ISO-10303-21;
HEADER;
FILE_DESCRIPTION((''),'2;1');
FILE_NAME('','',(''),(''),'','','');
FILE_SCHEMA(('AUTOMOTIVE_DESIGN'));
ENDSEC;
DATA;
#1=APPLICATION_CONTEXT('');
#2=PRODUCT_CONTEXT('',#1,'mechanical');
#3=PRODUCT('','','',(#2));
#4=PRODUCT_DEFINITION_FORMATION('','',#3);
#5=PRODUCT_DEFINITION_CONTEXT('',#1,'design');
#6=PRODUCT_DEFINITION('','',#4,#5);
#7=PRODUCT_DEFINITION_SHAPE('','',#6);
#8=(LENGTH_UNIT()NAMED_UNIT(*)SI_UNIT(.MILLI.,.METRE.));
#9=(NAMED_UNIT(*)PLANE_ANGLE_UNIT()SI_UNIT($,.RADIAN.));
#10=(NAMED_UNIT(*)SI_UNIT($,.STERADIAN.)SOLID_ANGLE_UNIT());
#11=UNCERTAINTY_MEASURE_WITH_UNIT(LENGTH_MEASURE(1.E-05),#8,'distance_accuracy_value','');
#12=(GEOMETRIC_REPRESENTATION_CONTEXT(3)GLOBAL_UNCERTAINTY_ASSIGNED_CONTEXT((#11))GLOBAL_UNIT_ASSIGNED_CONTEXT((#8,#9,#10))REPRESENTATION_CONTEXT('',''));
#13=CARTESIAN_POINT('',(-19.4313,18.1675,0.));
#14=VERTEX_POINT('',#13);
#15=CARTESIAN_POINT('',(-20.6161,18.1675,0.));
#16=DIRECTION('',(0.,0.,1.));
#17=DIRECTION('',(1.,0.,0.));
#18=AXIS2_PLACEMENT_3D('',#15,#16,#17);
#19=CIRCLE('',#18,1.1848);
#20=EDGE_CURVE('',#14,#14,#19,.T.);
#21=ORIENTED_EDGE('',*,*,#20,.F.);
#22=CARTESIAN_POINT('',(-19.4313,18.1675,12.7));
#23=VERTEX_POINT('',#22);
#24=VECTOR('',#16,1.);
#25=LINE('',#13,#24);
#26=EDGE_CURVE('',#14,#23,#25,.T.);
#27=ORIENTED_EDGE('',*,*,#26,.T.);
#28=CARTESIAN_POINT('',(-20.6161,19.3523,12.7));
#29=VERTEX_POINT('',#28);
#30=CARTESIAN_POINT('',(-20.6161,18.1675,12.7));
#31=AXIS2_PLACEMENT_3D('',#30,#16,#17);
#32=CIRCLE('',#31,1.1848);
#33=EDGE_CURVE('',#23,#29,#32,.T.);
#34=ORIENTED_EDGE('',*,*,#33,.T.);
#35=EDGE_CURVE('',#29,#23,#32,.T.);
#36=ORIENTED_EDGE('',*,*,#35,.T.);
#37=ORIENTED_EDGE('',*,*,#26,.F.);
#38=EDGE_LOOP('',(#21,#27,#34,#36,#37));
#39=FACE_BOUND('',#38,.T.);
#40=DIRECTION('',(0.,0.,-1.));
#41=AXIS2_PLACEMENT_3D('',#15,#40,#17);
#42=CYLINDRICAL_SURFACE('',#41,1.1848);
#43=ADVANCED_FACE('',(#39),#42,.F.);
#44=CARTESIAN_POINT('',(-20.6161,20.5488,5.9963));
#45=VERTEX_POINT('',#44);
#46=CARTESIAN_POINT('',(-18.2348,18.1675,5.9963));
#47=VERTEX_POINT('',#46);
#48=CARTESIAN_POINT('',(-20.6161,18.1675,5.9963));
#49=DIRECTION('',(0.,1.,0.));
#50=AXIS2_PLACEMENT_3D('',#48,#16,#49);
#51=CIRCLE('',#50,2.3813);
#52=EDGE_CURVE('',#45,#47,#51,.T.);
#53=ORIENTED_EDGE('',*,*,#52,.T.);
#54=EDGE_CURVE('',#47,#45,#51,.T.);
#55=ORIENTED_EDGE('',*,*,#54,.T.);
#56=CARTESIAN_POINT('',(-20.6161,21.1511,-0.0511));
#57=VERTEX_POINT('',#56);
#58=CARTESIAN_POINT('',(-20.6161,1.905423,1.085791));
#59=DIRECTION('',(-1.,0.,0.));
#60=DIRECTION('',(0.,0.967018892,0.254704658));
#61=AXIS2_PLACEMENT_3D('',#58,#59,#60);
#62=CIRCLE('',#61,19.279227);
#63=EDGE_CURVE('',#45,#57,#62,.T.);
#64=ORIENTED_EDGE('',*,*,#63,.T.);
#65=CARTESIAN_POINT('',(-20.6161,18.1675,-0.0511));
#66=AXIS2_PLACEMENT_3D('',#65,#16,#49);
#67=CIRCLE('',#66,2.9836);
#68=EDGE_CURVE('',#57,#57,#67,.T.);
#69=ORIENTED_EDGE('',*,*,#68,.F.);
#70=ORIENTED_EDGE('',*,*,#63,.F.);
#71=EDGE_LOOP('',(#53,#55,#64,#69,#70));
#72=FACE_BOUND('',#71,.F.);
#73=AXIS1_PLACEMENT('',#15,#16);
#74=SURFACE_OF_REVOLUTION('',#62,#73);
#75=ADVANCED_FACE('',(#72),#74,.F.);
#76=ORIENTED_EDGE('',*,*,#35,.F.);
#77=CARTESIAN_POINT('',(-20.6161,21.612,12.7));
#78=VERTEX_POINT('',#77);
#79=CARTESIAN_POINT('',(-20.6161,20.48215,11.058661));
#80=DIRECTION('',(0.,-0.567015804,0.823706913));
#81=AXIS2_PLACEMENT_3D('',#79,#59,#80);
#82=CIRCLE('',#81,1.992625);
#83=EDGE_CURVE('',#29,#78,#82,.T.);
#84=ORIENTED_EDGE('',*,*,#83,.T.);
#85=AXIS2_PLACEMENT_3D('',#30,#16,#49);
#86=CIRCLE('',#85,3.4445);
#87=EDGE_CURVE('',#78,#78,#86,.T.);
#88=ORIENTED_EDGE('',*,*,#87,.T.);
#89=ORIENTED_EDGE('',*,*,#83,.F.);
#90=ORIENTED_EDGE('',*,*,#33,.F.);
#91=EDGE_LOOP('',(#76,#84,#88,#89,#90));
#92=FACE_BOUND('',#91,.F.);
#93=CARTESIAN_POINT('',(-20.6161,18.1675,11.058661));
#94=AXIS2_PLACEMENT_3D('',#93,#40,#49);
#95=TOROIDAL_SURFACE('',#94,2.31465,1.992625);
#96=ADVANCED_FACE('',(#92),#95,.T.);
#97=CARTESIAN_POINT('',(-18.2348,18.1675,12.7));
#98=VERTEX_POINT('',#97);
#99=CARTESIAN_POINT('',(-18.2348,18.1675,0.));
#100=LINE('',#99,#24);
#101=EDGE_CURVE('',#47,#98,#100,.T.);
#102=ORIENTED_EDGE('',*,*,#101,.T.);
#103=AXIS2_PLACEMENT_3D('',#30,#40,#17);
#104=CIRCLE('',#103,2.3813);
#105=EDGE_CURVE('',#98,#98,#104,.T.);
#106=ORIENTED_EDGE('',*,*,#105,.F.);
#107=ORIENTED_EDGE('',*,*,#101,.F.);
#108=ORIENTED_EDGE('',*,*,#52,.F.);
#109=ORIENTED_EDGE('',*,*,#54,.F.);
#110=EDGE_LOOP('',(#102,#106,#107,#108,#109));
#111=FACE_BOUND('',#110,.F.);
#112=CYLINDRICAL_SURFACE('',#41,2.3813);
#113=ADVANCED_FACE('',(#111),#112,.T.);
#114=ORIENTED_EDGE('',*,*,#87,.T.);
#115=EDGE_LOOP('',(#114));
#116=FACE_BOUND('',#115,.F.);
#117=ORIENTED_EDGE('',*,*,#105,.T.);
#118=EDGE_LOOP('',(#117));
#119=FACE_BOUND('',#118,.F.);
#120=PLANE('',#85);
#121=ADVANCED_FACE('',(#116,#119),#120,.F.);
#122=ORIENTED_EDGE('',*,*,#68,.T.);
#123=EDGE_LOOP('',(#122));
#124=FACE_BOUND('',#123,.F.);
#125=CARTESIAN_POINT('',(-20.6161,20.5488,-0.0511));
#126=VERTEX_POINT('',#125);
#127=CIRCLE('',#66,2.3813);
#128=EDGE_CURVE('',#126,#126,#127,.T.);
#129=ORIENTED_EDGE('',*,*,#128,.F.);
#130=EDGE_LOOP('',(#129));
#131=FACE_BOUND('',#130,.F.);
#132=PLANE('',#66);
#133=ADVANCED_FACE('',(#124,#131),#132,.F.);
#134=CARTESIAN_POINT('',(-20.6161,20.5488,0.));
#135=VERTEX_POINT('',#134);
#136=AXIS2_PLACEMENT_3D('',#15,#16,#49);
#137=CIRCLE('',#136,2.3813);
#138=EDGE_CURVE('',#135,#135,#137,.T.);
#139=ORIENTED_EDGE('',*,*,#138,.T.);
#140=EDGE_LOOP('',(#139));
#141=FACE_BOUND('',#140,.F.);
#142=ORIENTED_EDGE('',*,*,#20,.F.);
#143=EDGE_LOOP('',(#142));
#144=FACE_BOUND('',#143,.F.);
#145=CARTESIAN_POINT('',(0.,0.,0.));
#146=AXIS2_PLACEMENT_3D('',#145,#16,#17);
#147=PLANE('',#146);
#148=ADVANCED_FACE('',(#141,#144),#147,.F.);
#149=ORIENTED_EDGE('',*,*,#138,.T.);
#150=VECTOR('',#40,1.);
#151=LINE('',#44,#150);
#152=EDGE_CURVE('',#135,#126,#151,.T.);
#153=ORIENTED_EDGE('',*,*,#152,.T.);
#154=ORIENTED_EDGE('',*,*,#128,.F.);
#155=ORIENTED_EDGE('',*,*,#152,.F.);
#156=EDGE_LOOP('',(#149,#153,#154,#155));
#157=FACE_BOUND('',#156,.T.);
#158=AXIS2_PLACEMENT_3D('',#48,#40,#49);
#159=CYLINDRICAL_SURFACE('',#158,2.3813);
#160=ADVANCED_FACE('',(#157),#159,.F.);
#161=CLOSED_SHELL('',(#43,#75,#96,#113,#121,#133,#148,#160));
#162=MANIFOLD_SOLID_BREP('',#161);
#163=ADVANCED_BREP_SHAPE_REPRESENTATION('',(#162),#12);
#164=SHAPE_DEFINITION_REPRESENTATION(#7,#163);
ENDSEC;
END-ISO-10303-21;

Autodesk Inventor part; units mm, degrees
ref_plane "YZ Plane" through (0, 0, 0) normal (1, 0, 0) x (0, 1, 0)
ref_plane "XY Plane" through (0, 0, 0) normal (0, 0, 1) x (1, 0, 0)
sketch "Sketch1" plane through (0, 0, 0) normal (0, 0, 1) x (1, 0, 0)
  circle A0 centre (-20.6161, 18.1675) radius 2.3813
  circle A1 centre (-20.6161, 18.1675) radius 1.1848
  dimension "d0" = 4.7625
extrude "Extrusion1" add sketch "Sketch1" along normal blind 12.7
ref_plane "Work Plane1" through (-20.6161, 18.1675, 0) normal (-1, 0, 0) x (0, 0, 1)
sketch "Sketch2" plane through (-20.6161, 18.1675, 0) normal (-1, 0, 0) x (0, 0, 1)
  line L0 (0, 1.1848) -> (12.7, 1.1848) projected
  line L1 (0, -1.1848) -> (12.7, -1.1848) projected
  line L2 (12.7, 1.1848) -> (12.7, -1.1848) projected
  line L3 (12.7, 2.3813) -> (12.7, -2.3812) projected
  arc A0 (12.7, 1.1848) -> (12.7, 3.4445) centre (11.0585, 2.3147) ccw
  line L4 (12.7, 3.4445) -> (12.7, 1.1848)
  line L5 (-2.54, 0) -> (15.24, 0) projected
revolve "Revolution1" add sketch "Sketch2" angle 360 about axis through (-20.6161, 18.1675, 0) along (0, 0, 1)
sketch "Sketch3" plane through (-20.6161, 18.1675, 0) normal (-1, 0, 0) x (0, 0, 1)
  line L0 (12.7, -3.4445) -> (12.7, -2.3812) projected
  line L1 (12.7, -2.3812) -> (0, -2.3812) projected
  line L2 (0, -2.3812) -> (0, -1.1848) projected
  line L3 (0, -1.1848) -> (12.7, -1.1848) projected
  arc A0 (12.7, -3.4445) -> (12.7, -1.1848) centre (11.0585, -2.3147) ccw projected
  line L4 (12.7, 2.3813) -> (12.7, 3.4445) projected
  arc A1 (12.7, 1.1848) -> (12.7, 3.4445) centre (11.0585, 2.3147) ccw projected
  line L5 (12.7, 1.1848) -> (0, 1.1848) projected
  line L6 (0, 1.1848) -> (0, 2.3813) projected
  line L7 (0, 2.3813) -> (12.7, 2.3813) projected
  line L8 (-2.6102, 0) -> (15.6615, 0) projected
  arc A2 (5.9963, 2.3813) -> (-0.0511, 2.9836) centre (1.0853, -16.2648) ccw
  line L9 (-0.0511, 2.9836) -> (-0.0511, 2.3813)
  line L10 (5.9963, 2.3813) -> (-0.0511, 2.3813)
  point P0 (6.35, 2.3813)
revolve "Revolution3" add sketch "Sketch3" angle 360 about axis through (-20.6161, 18.1675, 0) along (0, 0, 1) contours L7 L10 L9 A2
properties part number "HW-00010"
